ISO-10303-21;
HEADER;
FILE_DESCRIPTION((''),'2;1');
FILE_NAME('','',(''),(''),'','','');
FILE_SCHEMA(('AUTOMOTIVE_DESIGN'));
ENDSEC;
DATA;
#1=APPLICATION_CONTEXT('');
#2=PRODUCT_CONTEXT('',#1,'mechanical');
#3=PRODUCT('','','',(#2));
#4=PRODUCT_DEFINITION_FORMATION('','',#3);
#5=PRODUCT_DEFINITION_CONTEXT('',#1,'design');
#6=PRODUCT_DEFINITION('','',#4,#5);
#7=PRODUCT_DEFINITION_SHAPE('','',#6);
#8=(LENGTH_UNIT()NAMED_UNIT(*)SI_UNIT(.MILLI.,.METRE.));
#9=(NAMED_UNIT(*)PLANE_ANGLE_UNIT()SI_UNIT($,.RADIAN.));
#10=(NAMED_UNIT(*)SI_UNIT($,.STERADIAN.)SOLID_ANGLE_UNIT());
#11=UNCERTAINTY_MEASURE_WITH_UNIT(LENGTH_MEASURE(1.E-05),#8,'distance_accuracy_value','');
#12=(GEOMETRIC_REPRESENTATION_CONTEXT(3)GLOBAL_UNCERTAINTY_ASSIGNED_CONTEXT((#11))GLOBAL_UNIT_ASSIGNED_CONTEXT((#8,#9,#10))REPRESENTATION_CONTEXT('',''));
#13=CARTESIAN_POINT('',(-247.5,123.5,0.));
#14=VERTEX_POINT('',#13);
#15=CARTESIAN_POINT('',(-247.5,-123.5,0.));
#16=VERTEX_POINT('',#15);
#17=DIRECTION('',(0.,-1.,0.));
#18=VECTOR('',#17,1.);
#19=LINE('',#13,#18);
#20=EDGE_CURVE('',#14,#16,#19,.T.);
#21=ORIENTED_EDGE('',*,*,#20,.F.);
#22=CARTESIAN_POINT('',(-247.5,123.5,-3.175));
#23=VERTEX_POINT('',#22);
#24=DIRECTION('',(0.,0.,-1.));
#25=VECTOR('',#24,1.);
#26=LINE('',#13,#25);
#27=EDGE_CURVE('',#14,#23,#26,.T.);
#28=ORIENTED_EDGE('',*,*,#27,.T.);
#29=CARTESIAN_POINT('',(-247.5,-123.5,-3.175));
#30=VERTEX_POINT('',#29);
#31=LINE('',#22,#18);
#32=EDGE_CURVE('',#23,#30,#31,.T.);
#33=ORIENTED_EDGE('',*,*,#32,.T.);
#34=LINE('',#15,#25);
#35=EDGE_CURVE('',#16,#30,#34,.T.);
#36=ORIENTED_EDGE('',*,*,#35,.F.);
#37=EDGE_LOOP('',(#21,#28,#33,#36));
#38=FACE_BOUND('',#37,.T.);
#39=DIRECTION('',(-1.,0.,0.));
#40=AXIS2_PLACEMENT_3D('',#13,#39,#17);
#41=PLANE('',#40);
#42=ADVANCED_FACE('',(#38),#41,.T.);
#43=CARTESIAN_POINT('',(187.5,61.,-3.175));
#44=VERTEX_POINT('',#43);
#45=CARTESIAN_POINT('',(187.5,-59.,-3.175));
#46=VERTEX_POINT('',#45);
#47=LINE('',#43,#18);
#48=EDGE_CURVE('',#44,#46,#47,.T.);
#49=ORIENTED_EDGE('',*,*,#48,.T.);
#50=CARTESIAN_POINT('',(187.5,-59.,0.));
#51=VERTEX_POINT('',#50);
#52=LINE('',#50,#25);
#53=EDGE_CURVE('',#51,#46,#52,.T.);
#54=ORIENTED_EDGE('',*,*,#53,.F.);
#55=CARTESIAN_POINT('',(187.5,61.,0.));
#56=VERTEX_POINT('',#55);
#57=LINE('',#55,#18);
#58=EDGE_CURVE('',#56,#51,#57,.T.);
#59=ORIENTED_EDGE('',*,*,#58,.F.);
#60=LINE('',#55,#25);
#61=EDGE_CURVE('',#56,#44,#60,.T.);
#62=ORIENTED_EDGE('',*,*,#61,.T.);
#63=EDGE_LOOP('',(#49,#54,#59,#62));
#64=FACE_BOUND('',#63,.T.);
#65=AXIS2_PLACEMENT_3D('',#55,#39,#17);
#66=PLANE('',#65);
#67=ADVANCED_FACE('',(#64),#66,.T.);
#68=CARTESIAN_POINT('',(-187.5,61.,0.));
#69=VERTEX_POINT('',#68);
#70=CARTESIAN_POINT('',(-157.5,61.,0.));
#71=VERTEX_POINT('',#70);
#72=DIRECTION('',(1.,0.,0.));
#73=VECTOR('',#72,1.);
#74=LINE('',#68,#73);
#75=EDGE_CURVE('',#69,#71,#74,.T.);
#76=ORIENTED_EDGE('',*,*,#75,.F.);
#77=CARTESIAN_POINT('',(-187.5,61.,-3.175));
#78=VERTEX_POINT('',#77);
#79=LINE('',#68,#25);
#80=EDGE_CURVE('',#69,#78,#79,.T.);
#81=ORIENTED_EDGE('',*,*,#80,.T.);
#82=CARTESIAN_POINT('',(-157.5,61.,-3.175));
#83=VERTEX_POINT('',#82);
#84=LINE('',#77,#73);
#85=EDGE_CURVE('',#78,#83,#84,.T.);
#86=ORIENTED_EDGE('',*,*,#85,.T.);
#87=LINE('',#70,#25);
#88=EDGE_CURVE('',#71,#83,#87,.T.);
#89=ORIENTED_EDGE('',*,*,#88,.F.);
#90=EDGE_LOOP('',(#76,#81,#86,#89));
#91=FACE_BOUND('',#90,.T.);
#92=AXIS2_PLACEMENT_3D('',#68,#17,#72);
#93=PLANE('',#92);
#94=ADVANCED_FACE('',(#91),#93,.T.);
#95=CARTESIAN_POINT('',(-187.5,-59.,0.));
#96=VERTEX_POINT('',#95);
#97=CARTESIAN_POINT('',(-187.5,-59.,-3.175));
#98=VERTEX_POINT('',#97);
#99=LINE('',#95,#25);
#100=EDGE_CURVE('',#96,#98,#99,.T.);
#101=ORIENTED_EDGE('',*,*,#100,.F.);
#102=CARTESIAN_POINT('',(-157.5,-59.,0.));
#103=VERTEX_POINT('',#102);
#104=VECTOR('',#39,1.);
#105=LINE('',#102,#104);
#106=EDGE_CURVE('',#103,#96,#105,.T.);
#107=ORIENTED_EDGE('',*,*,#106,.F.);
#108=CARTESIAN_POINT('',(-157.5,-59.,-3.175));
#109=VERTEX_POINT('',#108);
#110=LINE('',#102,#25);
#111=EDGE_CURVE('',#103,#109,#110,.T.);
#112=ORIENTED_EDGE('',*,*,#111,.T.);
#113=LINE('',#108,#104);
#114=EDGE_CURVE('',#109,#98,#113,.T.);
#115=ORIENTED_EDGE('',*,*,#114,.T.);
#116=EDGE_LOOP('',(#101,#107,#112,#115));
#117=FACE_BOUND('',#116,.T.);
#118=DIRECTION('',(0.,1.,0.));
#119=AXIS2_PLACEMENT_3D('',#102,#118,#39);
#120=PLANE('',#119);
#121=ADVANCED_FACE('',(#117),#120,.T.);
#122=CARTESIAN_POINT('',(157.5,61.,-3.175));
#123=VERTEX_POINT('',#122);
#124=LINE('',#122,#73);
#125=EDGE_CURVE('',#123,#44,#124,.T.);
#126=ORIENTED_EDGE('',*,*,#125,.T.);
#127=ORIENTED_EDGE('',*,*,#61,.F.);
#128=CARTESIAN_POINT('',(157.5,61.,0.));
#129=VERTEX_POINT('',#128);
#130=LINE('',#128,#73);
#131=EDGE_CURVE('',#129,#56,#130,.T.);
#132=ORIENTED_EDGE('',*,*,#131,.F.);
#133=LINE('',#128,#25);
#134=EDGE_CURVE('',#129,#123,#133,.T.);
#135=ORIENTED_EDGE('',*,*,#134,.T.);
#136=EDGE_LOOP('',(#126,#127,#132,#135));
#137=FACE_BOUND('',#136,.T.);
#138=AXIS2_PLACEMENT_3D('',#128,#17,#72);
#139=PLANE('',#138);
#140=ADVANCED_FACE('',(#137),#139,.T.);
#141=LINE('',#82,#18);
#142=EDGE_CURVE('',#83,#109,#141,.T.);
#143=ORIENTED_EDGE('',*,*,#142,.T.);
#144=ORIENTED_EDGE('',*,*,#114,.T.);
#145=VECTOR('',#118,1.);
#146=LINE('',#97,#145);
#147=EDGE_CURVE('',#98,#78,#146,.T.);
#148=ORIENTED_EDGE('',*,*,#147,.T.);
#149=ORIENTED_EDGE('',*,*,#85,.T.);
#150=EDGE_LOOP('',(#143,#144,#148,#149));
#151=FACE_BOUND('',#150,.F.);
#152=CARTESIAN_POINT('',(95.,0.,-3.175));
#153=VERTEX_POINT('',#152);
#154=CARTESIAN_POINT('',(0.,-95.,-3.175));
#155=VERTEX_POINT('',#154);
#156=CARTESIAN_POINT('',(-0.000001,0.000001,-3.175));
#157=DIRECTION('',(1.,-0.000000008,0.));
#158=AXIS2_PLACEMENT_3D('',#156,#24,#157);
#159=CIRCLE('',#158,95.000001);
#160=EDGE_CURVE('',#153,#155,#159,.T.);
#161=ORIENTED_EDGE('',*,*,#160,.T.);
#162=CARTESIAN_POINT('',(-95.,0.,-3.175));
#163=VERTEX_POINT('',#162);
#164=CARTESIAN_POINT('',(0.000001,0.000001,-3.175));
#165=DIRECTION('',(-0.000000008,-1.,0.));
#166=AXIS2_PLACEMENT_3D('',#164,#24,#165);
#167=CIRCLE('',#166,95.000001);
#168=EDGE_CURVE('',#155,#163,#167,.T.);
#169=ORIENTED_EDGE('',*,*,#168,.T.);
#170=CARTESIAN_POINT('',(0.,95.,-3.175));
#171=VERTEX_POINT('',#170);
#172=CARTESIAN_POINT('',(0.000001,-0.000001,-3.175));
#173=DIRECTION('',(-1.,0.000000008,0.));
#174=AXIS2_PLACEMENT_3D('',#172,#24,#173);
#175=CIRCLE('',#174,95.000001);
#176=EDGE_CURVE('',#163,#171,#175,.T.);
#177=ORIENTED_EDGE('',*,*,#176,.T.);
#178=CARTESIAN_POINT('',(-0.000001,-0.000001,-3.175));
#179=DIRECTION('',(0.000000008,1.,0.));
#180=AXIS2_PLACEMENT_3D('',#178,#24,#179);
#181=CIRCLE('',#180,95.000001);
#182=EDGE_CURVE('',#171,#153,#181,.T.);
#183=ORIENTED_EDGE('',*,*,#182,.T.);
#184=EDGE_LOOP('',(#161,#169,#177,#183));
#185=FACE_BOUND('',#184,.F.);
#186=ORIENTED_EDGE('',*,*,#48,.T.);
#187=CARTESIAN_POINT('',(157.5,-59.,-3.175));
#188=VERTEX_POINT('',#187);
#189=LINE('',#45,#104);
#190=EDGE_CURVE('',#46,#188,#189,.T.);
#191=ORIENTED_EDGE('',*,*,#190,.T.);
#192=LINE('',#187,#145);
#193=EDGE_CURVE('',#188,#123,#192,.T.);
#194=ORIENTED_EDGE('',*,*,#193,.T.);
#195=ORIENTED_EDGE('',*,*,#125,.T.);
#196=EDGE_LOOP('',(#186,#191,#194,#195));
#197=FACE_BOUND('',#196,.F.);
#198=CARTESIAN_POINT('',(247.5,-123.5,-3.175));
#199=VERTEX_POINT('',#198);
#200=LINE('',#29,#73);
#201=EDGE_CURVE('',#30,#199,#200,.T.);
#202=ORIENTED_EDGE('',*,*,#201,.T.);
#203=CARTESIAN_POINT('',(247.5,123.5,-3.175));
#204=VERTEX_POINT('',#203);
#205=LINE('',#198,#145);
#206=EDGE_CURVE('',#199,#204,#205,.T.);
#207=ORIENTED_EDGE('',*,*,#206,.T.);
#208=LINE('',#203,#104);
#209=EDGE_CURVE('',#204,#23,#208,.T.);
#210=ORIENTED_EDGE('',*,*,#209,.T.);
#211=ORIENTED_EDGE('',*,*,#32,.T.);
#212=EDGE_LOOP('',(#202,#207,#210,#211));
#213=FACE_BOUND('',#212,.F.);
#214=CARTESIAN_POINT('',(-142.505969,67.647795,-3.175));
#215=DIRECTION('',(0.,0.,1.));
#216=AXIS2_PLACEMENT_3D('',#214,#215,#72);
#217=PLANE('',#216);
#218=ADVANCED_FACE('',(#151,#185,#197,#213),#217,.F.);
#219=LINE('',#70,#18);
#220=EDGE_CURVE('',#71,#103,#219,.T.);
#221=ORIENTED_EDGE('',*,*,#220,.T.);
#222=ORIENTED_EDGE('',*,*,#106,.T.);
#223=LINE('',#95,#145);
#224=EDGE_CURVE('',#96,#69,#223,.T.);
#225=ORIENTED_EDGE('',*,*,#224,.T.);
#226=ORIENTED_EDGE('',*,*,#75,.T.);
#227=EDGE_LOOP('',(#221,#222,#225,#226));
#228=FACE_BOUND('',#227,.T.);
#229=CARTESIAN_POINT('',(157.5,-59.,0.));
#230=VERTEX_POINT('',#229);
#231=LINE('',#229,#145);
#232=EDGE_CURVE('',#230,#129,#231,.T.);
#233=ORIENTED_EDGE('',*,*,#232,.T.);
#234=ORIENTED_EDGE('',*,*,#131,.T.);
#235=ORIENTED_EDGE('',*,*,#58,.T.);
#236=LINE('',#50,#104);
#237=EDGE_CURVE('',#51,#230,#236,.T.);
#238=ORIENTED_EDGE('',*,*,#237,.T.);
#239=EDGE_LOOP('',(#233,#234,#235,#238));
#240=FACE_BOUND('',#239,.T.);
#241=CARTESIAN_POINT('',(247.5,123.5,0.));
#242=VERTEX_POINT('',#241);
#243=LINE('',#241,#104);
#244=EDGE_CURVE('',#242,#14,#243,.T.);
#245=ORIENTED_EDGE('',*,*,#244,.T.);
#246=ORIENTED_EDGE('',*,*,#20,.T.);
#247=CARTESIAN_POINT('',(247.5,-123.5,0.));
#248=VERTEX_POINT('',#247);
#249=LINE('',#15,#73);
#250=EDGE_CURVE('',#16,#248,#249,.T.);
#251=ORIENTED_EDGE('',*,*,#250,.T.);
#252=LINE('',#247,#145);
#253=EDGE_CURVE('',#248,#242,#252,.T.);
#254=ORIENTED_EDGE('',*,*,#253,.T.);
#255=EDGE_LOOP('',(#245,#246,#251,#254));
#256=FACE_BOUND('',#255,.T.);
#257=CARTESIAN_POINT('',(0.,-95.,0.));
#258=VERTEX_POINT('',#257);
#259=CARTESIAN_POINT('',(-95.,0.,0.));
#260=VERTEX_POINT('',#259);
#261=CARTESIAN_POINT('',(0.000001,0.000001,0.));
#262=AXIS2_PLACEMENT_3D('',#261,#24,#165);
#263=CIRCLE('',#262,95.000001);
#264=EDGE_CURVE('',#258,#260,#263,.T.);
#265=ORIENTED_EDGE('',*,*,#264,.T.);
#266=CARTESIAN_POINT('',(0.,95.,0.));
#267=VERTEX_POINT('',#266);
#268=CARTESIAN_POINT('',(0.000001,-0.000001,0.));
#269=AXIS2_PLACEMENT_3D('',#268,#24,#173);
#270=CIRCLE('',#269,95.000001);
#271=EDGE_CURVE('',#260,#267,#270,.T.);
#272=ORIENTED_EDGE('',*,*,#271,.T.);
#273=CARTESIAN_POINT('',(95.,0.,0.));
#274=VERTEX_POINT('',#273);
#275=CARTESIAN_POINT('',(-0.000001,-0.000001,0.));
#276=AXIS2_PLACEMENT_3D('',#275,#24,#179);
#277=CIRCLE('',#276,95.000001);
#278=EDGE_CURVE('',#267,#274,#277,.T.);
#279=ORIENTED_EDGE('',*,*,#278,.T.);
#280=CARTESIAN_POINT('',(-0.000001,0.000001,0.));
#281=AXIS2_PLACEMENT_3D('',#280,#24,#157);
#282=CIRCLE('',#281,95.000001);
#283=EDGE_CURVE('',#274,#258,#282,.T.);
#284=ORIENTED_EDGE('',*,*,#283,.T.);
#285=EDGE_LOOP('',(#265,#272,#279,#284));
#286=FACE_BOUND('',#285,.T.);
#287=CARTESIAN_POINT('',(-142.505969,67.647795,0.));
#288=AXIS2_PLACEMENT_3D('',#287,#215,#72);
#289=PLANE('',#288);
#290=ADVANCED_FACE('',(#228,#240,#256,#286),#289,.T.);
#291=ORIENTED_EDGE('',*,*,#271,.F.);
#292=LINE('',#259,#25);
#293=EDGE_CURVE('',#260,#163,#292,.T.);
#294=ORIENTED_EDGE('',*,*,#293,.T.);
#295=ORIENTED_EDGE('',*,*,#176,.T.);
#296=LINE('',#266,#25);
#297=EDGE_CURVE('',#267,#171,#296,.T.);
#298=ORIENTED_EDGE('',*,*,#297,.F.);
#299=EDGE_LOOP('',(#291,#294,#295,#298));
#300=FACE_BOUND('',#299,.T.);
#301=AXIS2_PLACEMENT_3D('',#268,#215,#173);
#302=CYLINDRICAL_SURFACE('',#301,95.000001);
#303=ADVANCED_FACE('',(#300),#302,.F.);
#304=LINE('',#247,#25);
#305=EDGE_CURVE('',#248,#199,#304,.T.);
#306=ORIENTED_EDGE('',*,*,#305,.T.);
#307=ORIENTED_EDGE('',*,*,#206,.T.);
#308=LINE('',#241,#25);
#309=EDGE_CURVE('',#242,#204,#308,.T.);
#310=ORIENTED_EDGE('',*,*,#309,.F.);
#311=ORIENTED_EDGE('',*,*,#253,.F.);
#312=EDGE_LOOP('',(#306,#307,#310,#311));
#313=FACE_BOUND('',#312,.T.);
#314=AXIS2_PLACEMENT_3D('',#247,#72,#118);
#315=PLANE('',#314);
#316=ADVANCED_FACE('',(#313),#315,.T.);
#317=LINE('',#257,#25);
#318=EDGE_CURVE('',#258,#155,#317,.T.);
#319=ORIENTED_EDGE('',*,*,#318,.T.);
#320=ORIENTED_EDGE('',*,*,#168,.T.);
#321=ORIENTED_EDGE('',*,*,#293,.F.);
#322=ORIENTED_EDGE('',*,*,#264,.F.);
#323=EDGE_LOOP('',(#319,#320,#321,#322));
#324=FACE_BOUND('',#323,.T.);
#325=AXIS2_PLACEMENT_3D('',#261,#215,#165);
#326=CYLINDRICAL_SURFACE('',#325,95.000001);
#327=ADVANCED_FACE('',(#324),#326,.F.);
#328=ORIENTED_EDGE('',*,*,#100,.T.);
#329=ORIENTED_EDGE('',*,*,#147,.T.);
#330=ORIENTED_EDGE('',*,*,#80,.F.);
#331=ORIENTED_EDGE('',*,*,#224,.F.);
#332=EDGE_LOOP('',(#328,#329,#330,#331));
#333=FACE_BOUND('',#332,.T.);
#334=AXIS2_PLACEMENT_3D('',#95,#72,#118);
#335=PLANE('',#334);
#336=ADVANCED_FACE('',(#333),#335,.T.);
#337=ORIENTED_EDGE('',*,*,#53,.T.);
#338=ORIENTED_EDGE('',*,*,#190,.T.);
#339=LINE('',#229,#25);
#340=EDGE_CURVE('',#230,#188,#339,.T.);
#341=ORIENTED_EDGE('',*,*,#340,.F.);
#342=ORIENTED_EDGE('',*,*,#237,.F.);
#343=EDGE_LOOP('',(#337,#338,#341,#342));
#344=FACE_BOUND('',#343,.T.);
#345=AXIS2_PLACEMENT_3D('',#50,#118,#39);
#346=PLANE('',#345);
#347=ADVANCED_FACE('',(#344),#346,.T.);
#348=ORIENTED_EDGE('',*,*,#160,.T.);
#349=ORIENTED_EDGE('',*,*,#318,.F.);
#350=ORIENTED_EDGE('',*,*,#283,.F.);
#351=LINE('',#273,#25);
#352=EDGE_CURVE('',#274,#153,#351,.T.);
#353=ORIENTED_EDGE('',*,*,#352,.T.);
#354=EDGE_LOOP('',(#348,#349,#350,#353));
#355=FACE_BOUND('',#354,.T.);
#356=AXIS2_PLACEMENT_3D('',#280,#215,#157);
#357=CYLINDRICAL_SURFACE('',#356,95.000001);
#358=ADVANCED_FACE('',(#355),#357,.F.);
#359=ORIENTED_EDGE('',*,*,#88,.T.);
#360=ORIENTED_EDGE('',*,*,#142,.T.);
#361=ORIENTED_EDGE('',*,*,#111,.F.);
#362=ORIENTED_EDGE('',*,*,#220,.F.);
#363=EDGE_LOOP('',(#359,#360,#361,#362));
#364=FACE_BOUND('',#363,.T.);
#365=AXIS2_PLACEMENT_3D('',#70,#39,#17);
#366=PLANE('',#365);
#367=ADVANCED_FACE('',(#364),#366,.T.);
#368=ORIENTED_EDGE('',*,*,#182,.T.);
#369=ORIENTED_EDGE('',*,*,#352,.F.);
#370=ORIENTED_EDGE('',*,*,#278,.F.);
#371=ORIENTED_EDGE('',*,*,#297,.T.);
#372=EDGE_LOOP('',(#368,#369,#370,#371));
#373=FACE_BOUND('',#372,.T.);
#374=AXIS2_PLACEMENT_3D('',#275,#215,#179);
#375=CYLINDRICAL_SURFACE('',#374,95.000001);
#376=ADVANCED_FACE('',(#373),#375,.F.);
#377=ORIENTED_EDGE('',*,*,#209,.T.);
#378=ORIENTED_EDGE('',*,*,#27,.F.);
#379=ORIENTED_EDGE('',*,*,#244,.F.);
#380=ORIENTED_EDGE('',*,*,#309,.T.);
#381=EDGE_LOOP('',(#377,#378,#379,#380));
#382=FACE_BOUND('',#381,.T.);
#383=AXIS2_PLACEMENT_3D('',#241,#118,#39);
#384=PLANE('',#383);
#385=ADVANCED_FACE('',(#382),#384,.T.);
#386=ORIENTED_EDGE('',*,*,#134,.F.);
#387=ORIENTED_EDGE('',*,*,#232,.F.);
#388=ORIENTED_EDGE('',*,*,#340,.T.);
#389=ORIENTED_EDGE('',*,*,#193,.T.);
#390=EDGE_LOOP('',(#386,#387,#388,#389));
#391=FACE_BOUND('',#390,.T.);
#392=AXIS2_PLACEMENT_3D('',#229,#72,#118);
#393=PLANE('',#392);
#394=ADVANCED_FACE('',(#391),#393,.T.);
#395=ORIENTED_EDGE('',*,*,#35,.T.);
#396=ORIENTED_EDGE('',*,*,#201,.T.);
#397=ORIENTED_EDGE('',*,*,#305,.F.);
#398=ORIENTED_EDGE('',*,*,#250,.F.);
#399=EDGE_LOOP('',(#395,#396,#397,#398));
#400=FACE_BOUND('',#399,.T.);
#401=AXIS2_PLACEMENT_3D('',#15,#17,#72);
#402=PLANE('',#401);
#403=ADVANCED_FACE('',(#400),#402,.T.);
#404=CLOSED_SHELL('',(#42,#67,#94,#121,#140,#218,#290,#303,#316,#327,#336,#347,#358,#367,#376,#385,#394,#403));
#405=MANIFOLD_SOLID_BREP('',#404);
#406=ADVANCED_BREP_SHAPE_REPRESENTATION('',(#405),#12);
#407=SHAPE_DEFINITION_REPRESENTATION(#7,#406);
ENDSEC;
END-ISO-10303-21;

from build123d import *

# Parameters (mm, degrees)
F1_DEPTH = 3.175


with BuildPart() as f1:
    # F0 (on Top) → F1 (new body)
    with BuildSketch(Plane.XY):
        with BuildLine():
            Line((0, 123.5), (-247.5, 123.5))
            Line((-247.5, 123.5), (-247.5, 0))
            Line((-247.5, 0), (-187.5, 0))
            Line((-187.5, 0), (-187.5, 61))
            Line((-187.5, 61), (-157.5, 61))
            Line((-157.5, 61), (-157.5, 0))
            Line((-157.5, 0), (-95, 0))
            ThreePointArc((-95, 0), (-67.175144, 67.175144), (0, 95))
            Line((0, 95), (0, 123.5))
        make_face()
        with BuildLine():
            Line((247.5, 123.5), (0, 123.5))
            Line((0, 123.5), (0, 95))
            ThreePointArc((0, 95), (67.175144, 67.175144), (95, 0))
            Line((95, 0), (157.5, 0))
            Line((157.5, 0), (157.5, 61))
            Line((157.5, 61), (187.5, 61))
            Line((187.5, 61), (187.5, 0))
            Line((187.5, 0), (247.5, 0))
            Line((247.5, 0), (247.5, 123.5))
        make_face()
        with BuildLine():
            Line((-187.5, 0), (-247.5, 0))
            Line((-247.5, 0), (-247.5, -123.5))
            Line((-247.5, -123.5), (0, -123.5))
            Line((0, -123.5), (0, -95))
            ThreePointArc((0, -95), (-67.175144, -67.175144), (-95, 0))
            Line((-95, 0), (-157.5, 0))
            Line((-157.5, 0), (-157.5, -59))
            Line((-157.5, -59), (-187.5, -59))
            Line((-187.5, -59), (-187.5, 0))
        make_face()
        with BuildLine():
            Line((247.5, -123.5), (247.5, 0))
            Line((247.5, 0), (187.5, 0))
            Line((187.5, 0), (187.5, -59))
            Line((187.5, -59), (157.5, -59))
            Line((157.5, -59), (157.5, 0))
            Line((157.5, 0), (95, 0))
            ThreePointArc((95, 0), (67.175144, -67.175144), (0, -95))
            Line((0, -95), (0, -123.5))
            Line((0, -123.5), (247.5, -123.5))
        make_face()
    extrude(amount=-F1_DEPTH)


solid = f1.part
